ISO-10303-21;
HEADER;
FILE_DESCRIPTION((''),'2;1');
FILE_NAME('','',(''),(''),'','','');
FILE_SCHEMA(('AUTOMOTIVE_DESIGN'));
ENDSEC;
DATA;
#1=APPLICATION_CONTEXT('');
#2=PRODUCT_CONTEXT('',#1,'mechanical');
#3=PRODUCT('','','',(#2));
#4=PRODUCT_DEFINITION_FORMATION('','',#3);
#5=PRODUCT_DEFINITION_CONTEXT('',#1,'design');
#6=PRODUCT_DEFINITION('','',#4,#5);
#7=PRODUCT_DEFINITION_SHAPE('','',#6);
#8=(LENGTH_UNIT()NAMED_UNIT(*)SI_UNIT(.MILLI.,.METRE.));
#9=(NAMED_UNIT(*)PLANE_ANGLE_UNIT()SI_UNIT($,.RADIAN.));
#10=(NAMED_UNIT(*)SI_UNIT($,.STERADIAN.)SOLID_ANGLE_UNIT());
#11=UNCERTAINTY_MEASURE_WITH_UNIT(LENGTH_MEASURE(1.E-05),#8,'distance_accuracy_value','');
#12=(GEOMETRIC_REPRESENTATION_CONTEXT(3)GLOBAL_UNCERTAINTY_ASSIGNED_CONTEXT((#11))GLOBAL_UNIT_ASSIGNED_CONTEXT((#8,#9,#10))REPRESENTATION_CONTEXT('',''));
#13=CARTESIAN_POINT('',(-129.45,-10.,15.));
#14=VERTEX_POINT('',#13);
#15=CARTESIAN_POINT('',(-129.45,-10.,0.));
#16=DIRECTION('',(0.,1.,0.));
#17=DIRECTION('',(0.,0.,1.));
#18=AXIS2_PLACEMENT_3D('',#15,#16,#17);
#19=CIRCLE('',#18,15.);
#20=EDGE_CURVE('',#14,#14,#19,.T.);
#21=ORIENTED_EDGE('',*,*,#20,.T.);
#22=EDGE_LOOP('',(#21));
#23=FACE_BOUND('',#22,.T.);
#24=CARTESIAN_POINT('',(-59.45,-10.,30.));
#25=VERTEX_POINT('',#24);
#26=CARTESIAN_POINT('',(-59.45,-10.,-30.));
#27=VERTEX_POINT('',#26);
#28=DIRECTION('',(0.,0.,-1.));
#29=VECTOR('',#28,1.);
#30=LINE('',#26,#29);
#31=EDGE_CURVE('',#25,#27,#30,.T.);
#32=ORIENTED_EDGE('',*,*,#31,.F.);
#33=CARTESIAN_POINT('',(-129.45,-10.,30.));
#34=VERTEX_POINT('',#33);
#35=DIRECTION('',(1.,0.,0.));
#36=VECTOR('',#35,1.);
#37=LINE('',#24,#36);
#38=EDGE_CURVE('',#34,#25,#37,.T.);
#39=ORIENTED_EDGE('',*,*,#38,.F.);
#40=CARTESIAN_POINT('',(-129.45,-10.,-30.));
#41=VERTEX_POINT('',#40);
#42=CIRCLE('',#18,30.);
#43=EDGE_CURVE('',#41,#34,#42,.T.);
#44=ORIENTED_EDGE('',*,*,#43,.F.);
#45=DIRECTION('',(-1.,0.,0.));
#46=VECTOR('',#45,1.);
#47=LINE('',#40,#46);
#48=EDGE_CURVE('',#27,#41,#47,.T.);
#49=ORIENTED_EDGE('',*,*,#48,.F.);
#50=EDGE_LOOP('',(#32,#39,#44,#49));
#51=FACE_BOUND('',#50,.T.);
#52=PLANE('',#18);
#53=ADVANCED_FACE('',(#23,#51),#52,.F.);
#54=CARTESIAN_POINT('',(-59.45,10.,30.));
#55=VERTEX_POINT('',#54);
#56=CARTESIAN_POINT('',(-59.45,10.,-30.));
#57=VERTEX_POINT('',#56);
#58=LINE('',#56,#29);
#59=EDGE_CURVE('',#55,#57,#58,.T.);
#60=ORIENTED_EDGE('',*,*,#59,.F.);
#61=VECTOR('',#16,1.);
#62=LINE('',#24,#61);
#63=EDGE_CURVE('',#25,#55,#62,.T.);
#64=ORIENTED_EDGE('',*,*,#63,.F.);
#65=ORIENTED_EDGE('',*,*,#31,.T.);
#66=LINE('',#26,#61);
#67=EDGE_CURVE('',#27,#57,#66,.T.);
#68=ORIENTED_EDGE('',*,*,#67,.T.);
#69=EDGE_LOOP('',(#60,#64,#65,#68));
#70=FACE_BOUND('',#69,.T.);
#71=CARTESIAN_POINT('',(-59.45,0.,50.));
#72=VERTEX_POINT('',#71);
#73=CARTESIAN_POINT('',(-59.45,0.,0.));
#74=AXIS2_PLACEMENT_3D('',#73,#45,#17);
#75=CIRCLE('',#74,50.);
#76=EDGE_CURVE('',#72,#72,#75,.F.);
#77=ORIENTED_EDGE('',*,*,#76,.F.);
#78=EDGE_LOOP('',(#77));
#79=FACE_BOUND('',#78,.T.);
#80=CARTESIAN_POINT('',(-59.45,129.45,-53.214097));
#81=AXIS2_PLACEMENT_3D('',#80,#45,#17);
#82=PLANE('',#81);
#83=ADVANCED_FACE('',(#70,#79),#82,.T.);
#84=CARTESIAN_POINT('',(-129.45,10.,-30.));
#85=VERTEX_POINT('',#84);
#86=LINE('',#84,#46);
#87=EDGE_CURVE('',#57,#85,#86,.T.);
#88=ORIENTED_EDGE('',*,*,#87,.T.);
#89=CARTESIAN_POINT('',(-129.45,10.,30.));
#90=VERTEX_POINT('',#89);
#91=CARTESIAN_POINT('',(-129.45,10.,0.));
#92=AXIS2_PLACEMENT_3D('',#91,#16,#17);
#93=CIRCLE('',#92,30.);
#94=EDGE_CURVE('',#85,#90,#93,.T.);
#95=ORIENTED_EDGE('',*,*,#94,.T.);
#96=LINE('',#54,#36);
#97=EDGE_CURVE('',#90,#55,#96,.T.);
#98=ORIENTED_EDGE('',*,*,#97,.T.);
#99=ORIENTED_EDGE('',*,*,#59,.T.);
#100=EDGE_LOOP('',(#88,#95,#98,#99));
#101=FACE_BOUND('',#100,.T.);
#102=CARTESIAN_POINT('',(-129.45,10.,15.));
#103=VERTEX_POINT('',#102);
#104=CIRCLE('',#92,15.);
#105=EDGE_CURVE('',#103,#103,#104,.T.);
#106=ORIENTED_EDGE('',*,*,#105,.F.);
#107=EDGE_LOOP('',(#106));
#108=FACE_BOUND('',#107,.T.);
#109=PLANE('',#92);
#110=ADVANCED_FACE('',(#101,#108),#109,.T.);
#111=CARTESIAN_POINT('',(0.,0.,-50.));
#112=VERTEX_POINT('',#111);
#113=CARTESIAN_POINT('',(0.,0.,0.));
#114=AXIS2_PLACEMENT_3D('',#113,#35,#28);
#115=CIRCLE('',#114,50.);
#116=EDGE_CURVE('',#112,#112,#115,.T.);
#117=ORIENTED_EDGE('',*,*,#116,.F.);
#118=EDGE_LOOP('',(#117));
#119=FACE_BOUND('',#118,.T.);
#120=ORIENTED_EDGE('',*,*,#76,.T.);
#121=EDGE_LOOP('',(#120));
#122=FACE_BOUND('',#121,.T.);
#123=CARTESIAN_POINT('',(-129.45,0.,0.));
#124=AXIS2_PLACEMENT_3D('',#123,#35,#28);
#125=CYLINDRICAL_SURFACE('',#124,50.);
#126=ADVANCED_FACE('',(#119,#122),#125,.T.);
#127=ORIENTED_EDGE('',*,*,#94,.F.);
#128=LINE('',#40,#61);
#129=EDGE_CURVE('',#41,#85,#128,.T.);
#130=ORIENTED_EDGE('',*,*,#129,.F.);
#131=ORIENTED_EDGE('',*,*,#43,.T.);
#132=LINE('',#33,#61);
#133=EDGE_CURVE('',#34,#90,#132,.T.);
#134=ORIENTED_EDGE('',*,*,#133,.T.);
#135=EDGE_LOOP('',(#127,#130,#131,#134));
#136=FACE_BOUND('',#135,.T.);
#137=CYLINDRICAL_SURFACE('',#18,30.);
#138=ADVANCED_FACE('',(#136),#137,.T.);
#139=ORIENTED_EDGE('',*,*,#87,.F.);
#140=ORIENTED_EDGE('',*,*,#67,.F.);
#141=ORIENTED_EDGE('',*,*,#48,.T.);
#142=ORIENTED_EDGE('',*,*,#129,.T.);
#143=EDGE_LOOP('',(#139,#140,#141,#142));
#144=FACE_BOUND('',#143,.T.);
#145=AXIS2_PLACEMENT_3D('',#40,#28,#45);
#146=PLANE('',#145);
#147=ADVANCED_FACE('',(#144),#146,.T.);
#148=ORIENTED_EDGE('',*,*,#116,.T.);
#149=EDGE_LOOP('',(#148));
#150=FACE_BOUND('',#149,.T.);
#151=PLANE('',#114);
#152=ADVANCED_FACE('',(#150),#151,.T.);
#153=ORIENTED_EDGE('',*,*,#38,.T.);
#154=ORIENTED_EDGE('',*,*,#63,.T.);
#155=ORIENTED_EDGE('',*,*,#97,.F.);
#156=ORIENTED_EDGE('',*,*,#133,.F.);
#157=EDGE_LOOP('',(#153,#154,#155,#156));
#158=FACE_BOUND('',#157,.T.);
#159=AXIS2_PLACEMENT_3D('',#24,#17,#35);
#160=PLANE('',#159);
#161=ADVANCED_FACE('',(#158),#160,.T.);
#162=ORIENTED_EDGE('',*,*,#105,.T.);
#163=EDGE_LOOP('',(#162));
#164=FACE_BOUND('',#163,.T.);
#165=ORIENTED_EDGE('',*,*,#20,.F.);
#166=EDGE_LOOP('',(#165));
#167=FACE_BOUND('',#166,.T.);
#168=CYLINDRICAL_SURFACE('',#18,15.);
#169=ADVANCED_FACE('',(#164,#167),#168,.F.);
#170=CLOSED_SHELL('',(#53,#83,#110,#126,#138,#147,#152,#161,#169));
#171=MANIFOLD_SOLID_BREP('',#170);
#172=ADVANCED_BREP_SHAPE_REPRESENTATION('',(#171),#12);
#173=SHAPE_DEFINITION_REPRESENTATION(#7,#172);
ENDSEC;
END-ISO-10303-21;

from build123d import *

# Parameters (mm, degrees)
SKETCH1_R                = 50
BOSS_EXTRUDE1_DEPTH      = 129.45
CUT_EXTRUDE1_DEPTH       = 129.45
CUT_EXTRUDE1_DEPTH_BACK  = 129.45
SKETCH3_W                = 73.302623589
SKETCH3_H                = 112.659736925
BOSS_EXTRUDE2_DEPTH      = 10
BOSS_EXTRUDE2_DEPTH_BACK = 10
SKETCH2_R                = 15


with BuildPart() as part:
    # Sketch1 → Boss-Extrude1 (new body)
    with BuildSketch(Plane(origin=(0, 0, 0), x_dir=(0, 0, -1), z_dir=(1, 0, 0))):
        Circle(SKETCH1_R)
    extrude(amount=-BOSS_EXTRUDE1_DEPTH)

    # Sketch3 → Cut-Extrude1 (cut, two sides: drawn at the far end of the back side and taken through both)
    with BuildSketch(Plane(origin=(0, 0, 0), x_dir=(1, 0, 0), z_dir=(0, 1, 0)).offset(-CUT_EXTRUDE1_DEPTH_BACK)):
        with Locations((-96.101311794, -3.115771473)):
            Rectangle(SKETCH3_W, SKETCH3_H)
    extrude(amount=CUT_EXTRUDE1_DEPTH + CUT_EXTRUDE1_DEPTH_BACK, mode=Mode.SUBTRACT)

    # Sketch2 → Boss-Extrude2 (add, two sides: drawn at the far end of the back side and taken through both)
    with BuildSketch(Plane(origin=(0, 0, 0), x_dir=(1, 0, 0), z_dir=(0, 1, 0)).offset(-BOSS_EXTRUDE2_DEPTH_BACK)):
        with BuildLine():
            Line((-129.45, 30), (-59.45, 30))
            Line((-59.45, 30), (-59.45, -30))
            Line((-59.45, -30), (-129.45, -30))
            ThreePointArc((-129.45, -30), (-159.45, 0), (-129.45, 30))
        make_face()
        with Locations((-129.45, 0)):
            Circle(SKETCH2_R, mode=Mode.SUBTRACT)
    extrude(amount=BOSS_EXTRUDE2_DEPTH + BOSS_EXTRUDE2_DEPTH_BACK)


solid = part.part
